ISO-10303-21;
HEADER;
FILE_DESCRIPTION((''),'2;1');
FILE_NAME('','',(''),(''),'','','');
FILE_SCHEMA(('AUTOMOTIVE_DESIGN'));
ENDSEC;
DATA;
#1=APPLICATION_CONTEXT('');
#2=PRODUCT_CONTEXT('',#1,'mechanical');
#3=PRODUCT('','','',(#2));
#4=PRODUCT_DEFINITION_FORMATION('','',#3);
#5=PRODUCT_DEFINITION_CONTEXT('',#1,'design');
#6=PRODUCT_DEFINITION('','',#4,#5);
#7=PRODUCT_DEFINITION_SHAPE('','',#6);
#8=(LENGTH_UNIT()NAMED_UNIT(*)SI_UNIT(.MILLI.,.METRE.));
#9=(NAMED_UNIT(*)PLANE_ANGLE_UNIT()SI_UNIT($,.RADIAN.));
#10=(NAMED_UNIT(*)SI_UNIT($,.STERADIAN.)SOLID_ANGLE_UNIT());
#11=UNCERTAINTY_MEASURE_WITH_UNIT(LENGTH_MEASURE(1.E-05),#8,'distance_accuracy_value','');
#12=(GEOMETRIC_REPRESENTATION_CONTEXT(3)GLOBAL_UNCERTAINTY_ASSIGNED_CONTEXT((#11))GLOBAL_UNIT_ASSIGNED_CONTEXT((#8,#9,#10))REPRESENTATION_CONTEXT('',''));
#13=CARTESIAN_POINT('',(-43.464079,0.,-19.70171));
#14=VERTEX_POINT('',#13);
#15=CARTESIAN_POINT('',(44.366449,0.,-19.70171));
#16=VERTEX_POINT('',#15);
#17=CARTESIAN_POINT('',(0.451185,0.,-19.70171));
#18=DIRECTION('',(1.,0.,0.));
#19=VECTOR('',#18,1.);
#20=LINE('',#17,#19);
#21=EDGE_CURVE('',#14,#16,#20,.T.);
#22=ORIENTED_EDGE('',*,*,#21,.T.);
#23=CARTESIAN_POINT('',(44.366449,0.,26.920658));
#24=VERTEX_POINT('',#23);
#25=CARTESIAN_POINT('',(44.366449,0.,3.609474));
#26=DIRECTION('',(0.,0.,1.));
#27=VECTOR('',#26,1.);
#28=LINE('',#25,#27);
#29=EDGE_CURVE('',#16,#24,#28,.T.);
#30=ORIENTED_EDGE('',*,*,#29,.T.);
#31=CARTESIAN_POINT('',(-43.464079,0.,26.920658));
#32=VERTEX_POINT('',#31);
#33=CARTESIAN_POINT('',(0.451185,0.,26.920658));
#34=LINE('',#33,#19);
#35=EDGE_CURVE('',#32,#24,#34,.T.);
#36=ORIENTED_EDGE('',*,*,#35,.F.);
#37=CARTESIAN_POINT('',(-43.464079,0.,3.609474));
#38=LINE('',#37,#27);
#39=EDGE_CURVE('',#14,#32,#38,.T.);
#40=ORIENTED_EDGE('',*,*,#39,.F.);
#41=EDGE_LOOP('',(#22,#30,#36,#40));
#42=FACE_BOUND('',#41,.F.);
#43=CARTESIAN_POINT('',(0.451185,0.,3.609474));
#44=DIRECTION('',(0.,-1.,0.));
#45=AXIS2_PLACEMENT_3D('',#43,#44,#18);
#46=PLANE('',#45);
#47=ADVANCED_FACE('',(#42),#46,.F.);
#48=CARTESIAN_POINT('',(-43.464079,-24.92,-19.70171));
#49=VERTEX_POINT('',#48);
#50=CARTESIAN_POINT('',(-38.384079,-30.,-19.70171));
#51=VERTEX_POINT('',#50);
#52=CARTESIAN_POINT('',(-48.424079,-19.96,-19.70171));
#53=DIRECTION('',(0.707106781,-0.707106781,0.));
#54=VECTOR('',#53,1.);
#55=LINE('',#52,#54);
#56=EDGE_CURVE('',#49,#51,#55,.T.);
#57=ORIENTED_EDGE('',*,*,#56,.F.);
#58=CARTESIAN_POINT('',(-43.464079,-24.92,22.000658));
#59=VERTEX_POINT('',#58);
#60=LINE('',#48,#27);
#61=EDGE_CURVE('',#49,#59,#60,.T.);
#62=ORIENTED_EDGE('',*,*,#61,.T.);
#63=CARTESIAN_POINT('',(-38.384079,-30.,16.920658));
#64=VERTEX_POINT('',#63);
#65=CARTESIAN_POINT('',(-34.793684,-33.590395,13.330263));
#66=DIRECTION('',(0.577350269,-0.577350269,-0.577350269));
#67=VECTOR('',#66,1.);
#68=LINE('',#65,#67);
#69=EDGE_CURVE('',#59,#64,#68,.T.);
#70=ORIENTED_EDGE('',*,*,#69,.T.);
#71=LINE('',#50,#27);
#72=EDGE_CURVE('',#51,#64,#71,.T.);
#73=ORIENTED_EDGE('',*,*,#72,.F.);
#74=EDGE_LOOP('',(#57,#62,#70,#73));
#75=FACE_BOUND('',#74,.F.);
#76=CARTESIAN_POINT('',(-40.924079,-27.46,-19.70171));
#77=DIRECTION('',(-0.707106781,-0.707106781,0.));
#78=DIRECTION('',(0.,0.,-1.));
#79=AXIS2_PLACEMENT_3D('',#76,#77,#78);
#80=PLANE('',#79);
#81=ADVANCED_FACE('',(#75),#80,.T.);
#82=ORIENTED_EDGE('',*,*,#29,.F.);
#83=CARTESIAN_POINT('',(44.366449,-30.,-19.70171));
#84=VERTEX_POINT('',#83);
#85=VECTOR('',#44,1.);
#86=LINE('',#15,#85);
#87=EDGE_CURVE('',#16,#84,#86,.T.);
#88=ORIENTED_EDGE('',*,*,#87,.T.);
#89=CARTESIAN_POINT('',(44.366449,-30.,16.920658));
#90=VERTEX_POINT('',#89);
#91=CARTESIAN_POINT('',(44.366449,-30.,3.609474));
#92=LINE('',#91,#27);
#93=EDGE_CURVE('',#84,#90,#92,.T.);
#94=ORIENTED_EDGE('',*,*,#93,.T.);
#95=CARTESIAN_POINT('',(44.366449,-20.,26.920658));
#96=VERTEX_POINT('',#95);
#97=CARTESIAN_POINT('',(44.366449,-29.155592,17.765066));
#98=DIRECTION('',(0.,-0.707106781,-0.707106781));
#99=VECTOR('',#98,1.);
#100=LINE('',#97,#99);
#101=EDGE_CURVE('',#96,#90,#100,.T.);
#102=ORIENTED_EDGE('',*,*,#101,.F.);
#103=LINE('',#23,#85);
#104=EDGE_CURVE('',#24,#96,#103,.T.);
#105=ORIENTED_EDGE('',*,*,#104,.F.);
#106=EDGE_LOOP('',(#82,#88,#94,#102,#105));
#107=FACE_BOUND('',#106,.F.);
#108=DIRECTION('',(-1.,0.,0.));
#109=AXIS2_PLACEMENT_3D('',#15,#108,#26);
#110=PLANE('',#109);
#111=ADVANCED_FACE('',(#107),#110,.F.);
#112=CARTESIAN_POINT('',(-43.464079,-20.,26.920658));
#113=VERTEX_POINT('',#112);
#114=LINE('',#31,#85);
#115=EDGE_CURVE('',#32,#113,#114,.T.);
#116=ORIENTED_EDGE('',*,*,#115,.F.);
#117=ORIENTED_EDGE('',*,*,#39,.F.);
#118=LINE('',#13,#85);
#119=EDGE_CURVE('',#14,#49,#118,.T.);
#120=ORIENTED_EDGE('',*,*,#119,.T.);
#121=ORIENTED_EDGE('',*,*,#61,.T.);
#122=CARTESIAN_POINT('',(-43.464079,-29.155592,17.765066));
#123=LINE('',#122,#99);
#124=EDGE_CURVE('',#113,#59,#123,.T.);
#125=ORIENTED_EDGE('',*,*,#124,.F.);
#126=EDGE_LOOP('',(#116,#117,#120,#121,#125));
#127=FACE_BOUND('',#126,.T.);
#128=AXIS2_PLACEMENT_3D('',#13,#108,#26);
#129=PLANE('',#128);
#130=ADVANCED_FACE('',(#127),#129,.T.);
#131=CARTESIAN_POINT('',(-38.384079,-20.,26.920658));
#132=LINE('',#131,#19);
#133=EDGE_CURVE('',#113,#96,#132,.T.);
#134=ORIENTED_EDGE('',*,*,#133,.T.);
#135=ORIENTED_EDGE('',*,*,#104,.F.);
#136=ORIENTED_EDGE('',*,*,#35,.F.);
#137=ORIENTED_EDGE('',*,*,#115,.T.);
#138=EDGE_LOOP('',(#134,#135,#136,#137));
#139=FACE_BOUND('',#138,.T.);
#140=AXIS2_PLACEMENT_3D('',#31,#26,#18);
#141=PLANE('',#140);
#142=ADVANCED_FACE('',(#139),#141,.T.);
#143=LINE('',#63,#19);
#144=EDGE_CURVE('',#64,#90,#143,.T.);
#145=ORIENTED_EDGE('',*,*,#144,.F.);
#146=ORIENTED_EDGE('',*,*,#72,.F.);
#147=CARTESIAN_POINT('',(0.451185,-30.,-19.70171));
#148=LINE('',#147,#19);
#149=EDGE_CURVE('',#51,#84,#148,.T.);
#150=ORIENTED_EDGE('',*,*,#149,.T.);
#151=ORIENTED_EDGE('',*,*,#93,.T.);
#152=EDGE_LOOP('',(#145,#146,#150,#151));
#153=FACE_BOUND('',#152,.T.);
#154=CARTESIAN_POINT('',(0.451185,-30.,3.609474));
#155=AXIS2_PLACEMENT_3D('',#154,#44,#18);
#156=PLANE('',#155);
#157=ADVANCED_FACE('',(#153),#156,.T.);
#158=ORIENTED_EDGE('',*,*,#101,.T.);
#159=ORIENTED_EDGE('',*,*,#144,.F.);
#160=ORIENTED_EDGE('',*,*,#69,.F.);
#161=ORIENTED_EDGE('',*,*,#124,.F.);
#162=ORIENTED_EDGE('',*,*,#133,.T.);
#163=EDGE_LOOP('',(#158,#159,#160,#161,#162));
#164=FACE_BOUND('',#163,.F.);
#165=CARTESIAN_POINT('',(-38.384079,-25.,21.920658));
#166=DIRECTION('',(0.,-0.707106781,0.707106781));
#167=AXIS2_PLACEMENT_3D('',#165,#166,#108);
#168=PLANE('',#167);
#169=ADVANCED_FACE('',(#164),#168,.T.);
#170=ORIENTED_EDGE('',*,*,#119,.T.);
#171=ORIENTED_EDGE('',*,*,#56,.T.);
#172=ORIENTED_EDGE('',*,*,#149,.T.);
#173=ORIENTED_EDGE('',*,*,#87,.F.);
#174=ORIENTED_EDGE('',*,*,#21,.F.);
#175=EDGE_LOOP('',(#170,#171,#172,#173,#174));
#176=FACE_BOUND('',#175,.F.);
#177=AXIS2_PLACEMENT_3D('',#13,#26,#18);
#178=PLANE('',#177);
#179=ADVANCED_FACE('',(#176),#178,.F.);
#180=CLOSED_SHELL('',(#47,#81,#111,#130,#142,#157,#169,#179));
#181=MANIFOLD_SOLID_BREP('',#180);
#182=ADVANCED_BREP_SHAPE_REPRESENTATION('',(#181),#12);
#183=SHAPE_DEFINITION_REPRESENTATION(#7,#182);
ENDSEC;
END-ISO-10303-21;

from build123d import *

# Parameters (mm, degrees)
F0_W     = 87.830528
F0_H     = 46.622368
F1_DEPTH = 30
F2_SIZE  = 5.08
F3_SIZE  = 10


with BuildPart() as f1:
    # F0 (on Front) → F1 (new body)
    with BuildSketch(Plane.XZ):
        with Locations((0.451185, 3.609474)):
            Rectangle(F0_W, F0_H)
    extrude(amount=F1_DEPTH)

    # F2
    f2_edges = [f1.edges().sort_by_distance(p)[0] for p in [
        (-43.464079, -30, 3.609474),
    ]]
    chamfer(f2_edges, length=F2_SIZE)

    # F3
    f3_edges = [f1.edges().sort_by_distance(p)[0] for p in [
        (2.991185, -30, 26.920658),
    ]]
    chamfer(f3_edges, length=F3_SIZE)


solid = f1.part
